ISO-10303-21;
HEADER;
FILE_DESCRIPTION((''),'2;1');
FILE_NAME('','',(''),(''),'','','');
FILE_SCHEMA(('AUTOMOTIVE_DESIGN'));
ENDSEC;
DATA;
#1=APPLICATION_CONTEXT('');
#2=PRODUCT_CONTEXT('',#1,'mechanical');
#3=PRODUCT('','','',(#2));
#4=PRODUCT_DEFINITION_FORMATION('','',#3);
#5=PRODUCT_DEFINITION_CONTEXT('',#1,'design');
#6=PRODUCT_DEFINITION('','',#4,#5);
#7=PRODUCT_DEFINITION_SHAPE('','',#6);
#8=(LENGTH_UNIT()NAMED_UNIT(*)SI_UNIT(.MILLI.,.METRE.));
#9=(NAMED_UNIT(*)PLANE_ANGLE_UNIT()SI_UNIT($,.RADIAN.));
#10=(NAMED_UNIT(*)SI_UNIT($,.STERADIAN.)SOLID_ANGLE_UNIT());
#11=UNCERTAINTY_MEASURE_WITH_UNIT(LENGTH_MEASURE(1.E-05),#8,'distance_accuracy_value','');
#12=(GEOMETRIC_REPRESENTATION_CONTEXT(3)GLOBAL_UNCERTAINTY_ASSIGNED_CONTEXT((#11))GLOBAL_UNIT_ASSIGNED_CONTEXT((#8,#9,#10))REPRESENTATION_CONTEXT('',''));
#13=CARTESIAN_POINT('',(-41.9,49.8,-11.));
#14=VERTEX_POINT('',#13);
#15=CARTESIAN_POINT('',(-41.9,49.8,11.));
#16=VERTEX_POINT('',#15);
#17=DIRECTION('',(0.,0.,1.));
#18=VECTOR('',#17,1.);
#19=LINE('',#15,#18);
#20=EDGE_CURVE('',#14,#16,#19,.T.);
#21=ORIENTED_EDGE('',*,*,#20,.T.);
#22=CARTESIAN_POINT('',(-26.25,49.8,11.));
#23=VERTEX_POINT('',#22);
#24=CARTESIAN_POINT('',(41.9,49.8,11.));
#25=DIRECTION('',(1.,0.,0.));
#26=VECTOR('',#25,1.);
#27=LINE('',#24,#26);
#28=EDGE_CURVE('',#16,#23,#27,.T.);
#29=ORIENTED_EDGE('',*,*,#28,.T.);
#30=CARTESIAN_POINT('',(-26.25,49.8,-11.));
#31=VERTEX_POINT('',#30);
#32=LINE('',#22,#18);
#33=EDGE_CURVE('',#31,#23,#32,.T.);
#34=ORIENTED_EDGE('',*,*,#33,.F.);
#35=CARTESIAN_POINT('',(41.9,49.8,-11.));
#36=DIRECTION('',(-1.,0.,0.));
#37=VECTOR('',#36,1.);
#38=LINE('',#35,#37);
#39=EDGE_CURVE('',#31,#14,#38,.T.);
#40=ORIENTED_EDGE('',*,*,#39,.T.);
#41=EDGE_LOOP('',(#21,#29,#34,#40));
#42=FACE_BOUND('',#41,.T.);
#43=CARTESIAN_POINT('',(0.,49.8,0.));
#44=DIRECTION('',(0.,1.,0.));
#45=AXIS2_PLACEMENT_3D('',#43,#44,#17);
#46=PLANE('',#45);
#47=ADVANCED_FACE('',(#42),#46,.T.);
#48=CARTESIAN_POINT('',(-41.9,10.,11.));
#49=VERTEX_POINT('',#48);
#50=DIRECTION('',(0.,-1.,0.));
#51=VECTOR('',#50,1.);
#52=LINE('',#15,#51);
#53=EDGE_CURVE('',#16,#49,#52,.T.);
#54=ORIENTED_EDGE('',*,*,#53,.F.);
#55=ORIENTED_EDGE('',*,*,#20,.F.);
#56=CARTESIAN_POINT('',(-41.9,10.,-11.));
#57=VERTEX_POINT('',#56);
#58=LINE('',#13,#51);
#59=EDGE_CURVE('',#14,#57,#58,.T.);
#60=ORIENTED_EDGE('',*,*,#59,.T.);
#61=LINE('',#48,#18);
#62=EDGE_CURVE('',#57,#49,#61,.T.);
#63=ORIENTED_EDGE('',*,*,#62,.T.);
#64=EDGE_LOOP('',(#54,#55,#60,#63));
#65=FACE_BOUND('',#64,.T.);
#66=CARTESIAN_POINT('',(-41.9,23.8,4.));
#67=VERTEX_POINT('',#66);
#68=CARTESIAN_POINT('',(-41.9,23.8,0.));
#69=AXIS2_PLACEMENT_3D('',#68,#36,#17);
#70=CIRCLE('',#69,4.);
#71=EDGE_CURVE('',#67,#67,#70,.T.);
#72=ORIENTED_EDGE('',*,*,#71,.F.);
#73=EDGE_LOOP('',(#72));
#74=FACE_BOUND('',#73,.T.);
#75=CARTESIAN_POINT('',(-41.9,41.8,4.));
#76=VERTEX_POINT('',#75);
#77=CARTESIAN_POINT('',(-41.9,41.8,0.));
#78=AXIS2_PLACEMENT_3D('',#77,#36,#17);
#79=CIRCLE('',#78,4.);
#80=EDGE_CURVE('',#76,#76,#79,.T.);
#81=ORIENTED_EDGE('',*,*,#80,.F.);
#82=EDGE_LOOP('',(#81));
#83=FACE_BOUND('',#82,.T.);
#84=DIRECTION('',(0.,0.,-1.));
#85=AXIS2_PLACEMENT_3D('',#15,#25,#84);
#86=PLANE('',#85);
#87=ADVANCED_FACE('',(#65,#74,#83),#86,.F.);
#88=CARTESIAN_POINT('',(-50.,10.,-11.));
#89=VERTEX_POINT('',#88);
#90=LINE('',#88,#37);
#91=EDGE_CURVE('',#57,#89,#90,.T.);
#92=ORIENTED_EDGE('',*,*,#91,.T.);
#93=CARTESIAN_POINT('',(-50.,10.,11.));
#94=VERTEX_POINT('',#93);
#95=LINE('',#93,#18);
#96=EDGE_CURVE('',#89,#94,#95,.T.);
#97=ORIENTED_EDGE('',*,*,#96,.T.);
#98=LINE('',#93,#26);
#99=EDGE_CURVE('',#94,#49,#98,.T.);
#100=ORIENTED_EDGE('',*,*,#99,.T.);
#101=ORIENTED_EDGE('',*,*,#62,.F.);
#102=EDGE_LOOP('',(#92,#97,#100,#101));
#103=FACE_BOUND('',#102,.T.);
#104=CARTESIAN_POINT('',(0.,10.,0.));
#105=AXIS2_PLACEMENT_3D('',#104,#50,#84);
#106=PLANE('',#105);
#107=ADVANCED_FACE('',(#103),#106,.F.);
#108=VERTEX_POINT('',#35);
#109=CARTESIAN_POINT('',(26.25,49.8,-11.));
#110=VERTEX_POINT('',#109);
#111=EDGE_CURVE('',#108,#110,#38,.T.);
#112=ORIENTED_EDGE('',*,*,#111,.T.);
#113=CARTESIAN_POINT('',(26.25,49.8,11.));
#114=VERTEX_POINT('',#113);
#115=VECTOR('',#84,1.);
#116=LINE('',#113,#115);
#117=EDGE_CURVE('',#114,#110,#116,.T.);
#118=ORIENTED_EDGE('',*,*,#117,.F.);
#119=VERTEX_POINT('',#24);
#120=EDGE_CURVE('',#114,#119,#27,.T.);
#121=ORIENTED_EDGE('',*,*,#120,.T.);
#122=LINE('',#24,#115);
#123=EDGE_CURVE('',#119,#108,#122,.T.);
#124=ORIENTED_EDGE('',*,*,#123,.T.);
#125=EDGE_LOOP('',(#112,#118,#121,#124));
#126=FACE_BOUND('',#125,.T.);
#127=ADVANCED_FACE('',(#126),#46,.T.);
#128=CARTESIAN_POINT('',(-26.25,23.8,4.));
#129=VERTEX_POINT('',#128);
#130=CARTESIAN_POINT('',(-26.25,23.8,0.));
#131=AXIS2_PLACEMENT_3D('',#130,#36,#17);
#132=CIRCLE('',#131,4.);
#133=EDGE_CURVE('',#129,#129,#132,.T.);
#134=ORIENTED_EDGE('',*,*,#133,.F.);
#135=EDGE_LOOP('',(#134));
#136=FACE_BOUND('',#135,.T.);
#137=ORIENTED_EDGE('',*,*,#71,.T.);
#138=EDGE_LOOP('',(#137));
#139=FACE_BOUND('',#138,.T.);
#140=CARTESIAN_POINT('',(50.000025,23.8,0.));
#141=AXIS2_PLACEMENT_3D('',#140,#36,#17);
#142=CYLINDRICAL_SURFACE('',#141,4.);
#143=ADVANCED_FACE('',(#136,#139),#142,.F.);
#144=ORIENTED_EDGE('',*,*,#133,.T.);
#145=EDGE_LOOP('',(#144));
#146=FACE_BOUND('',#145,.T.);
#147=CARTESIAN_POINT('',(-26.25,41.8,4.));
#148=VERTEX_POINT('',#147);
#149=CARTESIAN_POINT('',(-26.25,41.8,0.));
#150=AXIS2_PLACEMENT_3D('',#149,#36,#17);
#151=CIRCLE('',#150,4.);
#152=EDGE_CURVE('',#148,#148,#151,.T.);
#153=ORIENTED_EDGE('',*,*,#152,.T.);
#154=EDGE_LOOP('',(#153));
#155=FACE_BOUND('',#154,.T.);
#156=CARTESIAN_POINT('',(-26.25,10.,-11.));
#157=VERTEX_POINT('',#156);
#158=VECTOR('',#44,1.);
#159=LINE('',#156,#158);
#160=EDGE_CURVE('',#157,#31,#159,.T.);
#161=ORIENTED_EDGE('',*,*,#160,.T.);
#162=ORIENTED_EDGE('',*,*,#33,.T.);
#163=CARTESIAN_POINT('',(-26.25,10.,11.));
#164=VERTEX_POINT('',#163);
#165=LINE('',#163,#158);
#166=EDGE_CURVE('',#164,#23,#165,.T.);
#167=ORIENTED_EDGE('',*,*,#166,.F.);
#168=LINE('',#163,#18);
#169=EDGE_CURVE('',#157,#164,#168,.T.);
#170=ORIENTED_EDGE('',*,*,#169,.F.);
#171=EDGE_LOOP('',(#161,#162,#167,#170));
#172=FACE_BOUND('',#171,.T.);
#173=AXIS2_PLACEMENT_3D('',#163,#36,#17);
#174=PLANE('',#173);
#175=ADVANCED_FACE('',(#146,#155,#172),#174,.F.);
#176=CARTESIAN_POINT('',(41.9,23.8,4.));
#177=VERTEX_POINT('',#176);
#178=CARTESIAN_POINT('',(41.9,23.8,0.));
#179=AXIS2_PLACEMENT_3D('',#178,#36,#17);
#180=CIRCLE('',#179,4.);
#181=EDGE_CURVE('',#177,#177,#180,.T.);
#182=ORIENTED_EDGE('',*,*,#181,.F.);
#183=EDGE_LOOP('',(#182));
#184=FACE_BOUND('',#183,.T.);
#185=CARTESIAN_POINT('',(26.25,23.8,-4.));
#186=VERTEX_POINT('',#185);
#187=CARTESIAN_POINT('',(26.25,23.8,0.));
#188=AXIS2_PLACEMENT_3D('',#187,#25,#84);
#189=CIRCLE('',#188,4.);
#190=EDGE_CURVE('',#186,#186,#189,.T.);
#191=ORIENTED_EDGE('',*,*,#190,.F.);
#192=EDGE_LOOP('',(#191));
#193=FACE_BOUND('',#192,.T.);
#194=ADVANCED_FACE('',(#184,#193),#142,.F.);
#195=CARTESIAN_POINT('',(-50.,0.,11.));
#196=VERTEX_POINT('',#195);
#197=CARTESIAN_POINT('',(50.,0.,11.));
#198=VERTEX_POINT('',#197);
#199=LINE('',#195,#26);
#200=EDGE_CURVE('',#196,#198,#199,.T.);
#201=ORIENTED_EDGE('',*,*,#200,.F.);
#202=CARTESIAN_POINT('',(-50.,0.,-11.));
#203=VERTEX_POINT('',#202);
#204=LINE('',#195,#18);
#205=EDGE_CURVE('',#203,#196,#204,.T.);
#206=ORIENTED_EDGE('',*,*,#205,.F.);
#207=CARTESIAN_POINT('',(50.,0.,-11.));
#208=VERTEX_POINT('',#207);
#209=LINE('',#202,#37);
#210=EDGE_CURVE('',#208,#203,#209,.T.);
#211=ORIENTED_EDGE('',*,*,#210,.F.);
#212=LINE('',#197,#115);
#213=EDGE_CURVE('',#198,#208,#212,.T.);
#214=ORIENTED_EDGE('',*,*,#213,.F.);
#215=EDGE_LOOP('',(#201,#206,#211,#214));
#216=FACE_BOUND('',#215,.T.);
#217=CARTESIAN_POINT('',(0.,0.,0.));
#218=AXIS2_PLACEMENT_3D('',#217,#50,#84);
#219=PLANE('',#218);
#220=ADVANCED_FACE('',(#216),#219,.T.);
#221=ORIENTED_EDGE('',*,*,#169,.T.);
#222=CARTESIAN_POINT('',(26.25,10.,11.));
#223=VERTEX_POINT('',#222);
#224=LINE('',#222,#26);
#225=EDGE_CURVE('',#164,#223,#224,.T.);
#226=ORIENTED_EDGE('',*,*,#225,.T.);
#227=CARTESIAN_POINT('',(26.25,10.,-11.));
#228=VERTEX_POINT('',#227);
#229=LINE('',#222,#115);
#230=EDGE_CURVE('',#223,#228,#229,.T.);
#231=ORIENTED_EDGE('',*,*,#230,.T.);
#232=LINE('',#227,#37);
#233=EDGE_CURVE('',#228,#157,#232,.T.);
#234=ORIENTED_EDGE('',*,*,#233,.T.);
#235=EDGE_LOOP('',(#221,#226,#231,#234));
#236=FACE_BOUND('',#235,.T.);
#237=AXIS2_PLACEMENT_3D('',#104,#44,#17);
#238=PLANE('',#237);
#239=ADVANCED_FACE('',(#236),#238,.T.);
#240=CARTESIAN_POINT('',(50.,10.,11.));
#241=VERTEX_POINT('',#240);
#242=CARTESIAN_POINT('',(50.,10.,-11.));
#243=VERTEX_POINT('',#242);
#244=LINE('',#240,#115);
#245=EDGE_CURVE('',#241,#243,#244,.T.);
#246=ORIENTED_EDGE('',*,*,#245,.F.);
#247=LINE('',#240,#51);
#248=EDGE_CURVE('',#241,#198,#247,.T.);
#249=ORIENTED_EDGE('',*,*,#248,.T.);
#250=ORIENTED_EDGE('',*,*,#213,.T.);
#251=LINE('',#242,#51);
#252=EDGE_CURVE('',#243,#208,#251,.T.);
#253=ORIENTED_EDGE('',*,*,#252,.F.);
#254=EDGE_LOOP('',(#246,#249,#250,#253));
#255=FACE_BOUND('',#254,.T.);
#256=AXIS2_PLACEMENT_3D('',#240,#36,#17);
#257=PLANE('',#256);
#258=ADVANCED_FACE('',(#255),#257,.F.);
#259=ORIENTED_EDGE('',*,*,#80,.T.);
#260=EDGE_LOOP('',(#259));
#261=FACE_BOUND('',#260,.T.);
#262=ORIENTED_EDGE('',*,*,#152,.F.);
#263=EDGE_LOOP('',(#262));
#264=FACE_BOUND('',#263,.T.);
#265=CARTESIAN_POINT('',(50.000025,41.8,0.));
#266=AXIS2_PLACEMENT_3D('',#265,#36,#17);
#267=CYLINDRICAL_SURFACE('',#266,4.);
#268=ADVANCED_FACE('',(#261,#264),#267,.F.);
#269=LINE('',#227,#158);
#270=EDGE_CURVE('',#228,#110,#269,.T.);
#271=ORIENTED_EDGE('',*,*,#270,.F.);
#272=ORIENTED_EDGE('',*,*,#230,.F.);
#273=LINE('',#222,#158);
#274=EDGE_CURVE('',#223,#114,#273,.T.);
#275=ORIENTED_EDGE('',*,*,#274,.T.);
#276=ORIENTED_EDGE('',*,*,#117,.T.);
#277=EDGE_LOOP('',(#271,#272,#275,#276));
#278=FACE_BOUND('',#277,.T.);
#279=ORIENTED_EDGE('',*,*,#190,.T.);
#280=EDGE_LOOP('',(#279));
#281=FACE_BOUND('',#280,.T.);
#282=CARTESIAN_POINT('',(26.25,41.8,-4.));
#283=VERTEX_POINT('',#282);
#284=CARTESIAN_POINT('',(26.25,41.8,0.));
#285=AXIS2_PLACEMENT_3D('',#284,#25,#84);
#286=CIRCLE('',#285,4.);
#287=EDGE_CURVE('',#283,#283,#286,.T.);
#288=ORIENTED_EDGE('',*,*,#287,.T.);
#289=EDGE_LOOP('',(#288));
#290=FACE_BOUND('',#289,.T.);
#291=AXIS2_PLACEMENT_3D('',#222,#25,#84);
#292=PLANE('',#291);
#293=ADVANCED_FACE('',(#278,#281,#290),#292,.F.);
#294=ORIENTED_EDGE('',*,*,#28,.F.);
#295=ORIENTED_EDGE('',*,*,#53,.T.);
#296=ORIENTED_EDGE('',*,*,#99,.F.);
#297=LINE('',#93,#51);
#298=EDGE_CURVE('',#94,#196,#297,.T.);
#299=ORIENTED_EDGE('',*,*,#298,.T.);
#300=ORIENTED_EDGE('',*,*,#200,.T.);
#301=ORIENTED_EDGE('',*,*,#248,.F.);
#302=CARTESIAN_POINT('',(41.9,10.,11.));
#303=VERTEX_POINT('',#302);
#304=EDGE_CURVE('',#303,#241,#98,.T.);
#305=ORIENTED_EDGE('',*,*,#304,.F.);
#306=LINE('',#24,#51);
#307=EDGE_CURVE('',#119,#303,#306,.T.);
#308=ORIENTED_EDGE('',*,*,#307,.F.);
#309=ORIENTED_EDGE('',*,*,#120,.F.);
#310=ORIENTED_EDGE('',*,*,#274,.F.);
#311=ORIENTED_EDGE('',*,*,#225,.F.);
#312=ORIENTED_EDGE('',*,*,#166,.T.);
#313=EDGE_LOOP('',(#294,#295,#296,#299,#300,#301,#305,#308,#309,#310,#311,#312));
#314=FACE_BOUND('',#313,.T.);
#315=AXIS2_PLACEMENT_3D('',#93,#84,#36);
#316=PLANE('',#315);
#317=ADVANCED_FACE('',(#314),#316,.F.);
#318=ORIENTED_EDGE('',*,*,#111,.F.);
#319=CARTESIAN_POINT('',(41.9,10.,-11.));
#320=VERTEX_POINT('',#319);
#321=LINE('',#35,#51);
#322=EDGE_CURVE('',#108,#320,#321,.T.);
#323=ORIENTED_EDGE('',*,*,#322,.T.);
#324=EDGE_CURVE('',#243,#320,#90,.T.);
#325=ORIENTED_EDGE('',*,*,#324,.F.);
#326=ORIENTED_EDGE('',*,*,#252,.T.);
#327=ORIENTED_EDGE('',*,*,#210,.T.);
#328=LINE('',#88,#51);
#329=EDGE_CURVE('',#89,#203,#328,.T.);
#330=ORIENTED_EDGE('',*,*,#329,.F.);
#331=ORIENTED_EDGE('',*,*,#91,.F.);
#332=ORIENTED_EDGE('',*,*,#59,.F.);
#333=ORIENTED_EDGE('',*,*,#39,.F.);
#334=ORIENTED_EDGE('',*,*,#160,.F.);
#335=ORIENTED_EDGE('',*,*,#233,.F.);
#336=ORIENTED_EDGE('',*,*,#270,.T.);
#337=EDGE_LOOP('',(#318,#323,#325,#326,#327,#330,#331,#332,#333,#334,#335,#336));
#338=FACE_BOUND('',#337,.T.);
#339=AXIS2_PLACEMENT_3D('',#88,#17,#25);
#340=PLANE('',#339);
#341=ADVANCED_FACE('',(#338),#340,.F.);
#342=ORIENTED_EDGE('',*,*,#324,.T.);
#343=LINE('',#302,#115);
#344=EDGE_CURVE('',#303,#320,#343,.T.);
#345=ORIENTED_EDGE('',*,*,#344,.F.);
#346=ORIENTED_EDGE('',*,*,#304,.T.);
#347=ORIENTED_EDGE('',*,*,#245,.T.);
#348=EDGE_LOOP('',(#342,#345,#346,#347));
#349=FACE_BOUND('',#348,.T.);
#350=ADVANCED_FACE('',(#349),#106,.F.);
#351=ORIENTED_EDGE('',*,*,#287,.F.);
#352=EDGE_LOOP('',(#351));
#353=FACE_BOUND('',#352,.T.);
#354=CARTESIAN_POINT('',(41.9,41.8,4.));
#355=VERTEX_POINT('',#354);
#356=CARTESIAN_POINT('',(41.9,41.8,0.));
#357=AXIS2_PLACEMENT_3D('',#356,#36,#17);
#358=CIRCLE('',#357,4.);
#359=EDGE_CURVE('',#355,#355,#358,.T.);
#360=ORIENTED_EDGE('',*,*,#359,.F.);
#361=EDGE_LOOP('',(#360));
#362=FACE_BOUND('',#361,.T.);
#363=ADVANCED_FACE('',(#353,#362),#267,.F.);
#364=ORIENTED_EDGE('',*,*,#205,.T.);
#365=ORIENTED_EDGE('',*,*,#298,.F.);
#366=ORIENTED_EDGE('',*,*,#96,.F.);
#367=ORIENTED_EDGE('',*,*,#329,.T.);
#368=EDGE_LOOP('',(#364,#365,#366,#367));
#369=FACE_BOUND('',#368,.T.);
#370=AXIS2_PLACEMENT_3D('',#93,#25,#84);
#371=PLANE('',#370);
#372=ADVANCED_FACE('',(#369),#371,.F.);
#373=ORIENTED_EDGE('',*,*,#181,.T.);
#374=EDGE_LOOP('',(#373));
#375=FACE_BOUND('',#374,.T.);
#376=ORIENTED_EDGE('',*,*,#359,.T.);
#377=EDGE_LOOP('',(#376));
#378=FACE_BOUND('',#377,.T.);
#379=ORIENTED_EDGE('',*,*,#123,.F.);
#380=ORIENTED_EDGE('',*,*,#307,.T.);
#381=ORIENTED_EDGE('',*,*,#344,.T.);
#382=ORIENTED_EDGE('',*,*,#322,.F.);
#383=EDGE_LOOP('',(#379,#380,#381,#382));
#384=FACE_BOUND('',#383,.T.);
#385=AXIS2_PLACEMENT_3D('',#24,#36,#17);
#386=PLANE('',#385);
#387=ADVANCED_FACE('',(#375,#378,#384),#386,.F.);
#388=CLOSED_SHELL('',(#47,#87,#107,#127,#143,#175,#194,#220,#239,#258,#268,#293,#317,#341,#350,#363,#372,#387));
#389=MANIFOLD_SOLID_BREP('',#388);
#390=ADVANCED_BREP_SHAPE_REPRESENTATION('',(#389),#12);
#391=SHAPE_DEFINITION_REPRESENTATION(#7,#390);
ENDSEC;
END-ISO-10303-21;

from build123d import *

# Parameters (mm, degrees)
SKETCH1_W           = 100
SKETCH1_H           = 22
BOSS_EXTRUDE1_DEPTH = 10
SKETCH2_W           = 83.8
SKETCH2_H           = 22
BOSS_EXTRUDE2_DEPTH = 39.8
SKETCH3_W           = 52.5
SKETCH3_H           = 22
CUT_EXTRUDE1_DEPTH  = 39.8
SKETCH4_R           = 4
CUT_EXTRUDE2_DEPTH  = 92.9


with BuildPart() as part:
    # Sketch1 → Boss-Extrude1 (new body)
    with BuildSketch(Plane(origin=(0, 0, 0), x_dir=(1, 0, 0), z_dir=(0, 1, 0))):
        Rectangle(SKETCH1_W, SKETCH1_H)
    extrude(amount=BOSS_EXTRUDE1_DEPTH)

    # Sketch2 → Boss-Extrude2 (add)
    with BuildSketch(Plane(origin=(0, 10, 0), x_dir=(1, 0, 0), z_dir=(0, 1, 0))):
        Rectangle(SKETCH2_W, SKETCH2_H)
    extrude(amount=BOSS_EXTRUDE2_DEPTH)

    # Sketch3 → Cut-Extrude1 (cut)
    with BuildSketch(Plane(origin=(0, 49.8, 0), x_dir=(1, 0, 0), z_dir=(0, 1, 0))):
        Rectangle(SKETCH3_W, SKETCH3_H)
    extrude(amount=-CUT_EXTRUDE1_DEPTH, mode=Mode.SUBTRACT)

    # Sketch4 → Cut-Extrude2 (cut, through all)
    with BuildSketch(Plane.ZY.offset(41.9)):
        with Locations((0, 41.8)):
            Circle(SKETCH4_R)
        with Locations((0, 23.8)):
            Circle(SKETCH4_R)
    extrude(amount=-CUT_EXTRUDE2_DEPTH, mode=Mode.SUBTRACT)


solid = part.part
